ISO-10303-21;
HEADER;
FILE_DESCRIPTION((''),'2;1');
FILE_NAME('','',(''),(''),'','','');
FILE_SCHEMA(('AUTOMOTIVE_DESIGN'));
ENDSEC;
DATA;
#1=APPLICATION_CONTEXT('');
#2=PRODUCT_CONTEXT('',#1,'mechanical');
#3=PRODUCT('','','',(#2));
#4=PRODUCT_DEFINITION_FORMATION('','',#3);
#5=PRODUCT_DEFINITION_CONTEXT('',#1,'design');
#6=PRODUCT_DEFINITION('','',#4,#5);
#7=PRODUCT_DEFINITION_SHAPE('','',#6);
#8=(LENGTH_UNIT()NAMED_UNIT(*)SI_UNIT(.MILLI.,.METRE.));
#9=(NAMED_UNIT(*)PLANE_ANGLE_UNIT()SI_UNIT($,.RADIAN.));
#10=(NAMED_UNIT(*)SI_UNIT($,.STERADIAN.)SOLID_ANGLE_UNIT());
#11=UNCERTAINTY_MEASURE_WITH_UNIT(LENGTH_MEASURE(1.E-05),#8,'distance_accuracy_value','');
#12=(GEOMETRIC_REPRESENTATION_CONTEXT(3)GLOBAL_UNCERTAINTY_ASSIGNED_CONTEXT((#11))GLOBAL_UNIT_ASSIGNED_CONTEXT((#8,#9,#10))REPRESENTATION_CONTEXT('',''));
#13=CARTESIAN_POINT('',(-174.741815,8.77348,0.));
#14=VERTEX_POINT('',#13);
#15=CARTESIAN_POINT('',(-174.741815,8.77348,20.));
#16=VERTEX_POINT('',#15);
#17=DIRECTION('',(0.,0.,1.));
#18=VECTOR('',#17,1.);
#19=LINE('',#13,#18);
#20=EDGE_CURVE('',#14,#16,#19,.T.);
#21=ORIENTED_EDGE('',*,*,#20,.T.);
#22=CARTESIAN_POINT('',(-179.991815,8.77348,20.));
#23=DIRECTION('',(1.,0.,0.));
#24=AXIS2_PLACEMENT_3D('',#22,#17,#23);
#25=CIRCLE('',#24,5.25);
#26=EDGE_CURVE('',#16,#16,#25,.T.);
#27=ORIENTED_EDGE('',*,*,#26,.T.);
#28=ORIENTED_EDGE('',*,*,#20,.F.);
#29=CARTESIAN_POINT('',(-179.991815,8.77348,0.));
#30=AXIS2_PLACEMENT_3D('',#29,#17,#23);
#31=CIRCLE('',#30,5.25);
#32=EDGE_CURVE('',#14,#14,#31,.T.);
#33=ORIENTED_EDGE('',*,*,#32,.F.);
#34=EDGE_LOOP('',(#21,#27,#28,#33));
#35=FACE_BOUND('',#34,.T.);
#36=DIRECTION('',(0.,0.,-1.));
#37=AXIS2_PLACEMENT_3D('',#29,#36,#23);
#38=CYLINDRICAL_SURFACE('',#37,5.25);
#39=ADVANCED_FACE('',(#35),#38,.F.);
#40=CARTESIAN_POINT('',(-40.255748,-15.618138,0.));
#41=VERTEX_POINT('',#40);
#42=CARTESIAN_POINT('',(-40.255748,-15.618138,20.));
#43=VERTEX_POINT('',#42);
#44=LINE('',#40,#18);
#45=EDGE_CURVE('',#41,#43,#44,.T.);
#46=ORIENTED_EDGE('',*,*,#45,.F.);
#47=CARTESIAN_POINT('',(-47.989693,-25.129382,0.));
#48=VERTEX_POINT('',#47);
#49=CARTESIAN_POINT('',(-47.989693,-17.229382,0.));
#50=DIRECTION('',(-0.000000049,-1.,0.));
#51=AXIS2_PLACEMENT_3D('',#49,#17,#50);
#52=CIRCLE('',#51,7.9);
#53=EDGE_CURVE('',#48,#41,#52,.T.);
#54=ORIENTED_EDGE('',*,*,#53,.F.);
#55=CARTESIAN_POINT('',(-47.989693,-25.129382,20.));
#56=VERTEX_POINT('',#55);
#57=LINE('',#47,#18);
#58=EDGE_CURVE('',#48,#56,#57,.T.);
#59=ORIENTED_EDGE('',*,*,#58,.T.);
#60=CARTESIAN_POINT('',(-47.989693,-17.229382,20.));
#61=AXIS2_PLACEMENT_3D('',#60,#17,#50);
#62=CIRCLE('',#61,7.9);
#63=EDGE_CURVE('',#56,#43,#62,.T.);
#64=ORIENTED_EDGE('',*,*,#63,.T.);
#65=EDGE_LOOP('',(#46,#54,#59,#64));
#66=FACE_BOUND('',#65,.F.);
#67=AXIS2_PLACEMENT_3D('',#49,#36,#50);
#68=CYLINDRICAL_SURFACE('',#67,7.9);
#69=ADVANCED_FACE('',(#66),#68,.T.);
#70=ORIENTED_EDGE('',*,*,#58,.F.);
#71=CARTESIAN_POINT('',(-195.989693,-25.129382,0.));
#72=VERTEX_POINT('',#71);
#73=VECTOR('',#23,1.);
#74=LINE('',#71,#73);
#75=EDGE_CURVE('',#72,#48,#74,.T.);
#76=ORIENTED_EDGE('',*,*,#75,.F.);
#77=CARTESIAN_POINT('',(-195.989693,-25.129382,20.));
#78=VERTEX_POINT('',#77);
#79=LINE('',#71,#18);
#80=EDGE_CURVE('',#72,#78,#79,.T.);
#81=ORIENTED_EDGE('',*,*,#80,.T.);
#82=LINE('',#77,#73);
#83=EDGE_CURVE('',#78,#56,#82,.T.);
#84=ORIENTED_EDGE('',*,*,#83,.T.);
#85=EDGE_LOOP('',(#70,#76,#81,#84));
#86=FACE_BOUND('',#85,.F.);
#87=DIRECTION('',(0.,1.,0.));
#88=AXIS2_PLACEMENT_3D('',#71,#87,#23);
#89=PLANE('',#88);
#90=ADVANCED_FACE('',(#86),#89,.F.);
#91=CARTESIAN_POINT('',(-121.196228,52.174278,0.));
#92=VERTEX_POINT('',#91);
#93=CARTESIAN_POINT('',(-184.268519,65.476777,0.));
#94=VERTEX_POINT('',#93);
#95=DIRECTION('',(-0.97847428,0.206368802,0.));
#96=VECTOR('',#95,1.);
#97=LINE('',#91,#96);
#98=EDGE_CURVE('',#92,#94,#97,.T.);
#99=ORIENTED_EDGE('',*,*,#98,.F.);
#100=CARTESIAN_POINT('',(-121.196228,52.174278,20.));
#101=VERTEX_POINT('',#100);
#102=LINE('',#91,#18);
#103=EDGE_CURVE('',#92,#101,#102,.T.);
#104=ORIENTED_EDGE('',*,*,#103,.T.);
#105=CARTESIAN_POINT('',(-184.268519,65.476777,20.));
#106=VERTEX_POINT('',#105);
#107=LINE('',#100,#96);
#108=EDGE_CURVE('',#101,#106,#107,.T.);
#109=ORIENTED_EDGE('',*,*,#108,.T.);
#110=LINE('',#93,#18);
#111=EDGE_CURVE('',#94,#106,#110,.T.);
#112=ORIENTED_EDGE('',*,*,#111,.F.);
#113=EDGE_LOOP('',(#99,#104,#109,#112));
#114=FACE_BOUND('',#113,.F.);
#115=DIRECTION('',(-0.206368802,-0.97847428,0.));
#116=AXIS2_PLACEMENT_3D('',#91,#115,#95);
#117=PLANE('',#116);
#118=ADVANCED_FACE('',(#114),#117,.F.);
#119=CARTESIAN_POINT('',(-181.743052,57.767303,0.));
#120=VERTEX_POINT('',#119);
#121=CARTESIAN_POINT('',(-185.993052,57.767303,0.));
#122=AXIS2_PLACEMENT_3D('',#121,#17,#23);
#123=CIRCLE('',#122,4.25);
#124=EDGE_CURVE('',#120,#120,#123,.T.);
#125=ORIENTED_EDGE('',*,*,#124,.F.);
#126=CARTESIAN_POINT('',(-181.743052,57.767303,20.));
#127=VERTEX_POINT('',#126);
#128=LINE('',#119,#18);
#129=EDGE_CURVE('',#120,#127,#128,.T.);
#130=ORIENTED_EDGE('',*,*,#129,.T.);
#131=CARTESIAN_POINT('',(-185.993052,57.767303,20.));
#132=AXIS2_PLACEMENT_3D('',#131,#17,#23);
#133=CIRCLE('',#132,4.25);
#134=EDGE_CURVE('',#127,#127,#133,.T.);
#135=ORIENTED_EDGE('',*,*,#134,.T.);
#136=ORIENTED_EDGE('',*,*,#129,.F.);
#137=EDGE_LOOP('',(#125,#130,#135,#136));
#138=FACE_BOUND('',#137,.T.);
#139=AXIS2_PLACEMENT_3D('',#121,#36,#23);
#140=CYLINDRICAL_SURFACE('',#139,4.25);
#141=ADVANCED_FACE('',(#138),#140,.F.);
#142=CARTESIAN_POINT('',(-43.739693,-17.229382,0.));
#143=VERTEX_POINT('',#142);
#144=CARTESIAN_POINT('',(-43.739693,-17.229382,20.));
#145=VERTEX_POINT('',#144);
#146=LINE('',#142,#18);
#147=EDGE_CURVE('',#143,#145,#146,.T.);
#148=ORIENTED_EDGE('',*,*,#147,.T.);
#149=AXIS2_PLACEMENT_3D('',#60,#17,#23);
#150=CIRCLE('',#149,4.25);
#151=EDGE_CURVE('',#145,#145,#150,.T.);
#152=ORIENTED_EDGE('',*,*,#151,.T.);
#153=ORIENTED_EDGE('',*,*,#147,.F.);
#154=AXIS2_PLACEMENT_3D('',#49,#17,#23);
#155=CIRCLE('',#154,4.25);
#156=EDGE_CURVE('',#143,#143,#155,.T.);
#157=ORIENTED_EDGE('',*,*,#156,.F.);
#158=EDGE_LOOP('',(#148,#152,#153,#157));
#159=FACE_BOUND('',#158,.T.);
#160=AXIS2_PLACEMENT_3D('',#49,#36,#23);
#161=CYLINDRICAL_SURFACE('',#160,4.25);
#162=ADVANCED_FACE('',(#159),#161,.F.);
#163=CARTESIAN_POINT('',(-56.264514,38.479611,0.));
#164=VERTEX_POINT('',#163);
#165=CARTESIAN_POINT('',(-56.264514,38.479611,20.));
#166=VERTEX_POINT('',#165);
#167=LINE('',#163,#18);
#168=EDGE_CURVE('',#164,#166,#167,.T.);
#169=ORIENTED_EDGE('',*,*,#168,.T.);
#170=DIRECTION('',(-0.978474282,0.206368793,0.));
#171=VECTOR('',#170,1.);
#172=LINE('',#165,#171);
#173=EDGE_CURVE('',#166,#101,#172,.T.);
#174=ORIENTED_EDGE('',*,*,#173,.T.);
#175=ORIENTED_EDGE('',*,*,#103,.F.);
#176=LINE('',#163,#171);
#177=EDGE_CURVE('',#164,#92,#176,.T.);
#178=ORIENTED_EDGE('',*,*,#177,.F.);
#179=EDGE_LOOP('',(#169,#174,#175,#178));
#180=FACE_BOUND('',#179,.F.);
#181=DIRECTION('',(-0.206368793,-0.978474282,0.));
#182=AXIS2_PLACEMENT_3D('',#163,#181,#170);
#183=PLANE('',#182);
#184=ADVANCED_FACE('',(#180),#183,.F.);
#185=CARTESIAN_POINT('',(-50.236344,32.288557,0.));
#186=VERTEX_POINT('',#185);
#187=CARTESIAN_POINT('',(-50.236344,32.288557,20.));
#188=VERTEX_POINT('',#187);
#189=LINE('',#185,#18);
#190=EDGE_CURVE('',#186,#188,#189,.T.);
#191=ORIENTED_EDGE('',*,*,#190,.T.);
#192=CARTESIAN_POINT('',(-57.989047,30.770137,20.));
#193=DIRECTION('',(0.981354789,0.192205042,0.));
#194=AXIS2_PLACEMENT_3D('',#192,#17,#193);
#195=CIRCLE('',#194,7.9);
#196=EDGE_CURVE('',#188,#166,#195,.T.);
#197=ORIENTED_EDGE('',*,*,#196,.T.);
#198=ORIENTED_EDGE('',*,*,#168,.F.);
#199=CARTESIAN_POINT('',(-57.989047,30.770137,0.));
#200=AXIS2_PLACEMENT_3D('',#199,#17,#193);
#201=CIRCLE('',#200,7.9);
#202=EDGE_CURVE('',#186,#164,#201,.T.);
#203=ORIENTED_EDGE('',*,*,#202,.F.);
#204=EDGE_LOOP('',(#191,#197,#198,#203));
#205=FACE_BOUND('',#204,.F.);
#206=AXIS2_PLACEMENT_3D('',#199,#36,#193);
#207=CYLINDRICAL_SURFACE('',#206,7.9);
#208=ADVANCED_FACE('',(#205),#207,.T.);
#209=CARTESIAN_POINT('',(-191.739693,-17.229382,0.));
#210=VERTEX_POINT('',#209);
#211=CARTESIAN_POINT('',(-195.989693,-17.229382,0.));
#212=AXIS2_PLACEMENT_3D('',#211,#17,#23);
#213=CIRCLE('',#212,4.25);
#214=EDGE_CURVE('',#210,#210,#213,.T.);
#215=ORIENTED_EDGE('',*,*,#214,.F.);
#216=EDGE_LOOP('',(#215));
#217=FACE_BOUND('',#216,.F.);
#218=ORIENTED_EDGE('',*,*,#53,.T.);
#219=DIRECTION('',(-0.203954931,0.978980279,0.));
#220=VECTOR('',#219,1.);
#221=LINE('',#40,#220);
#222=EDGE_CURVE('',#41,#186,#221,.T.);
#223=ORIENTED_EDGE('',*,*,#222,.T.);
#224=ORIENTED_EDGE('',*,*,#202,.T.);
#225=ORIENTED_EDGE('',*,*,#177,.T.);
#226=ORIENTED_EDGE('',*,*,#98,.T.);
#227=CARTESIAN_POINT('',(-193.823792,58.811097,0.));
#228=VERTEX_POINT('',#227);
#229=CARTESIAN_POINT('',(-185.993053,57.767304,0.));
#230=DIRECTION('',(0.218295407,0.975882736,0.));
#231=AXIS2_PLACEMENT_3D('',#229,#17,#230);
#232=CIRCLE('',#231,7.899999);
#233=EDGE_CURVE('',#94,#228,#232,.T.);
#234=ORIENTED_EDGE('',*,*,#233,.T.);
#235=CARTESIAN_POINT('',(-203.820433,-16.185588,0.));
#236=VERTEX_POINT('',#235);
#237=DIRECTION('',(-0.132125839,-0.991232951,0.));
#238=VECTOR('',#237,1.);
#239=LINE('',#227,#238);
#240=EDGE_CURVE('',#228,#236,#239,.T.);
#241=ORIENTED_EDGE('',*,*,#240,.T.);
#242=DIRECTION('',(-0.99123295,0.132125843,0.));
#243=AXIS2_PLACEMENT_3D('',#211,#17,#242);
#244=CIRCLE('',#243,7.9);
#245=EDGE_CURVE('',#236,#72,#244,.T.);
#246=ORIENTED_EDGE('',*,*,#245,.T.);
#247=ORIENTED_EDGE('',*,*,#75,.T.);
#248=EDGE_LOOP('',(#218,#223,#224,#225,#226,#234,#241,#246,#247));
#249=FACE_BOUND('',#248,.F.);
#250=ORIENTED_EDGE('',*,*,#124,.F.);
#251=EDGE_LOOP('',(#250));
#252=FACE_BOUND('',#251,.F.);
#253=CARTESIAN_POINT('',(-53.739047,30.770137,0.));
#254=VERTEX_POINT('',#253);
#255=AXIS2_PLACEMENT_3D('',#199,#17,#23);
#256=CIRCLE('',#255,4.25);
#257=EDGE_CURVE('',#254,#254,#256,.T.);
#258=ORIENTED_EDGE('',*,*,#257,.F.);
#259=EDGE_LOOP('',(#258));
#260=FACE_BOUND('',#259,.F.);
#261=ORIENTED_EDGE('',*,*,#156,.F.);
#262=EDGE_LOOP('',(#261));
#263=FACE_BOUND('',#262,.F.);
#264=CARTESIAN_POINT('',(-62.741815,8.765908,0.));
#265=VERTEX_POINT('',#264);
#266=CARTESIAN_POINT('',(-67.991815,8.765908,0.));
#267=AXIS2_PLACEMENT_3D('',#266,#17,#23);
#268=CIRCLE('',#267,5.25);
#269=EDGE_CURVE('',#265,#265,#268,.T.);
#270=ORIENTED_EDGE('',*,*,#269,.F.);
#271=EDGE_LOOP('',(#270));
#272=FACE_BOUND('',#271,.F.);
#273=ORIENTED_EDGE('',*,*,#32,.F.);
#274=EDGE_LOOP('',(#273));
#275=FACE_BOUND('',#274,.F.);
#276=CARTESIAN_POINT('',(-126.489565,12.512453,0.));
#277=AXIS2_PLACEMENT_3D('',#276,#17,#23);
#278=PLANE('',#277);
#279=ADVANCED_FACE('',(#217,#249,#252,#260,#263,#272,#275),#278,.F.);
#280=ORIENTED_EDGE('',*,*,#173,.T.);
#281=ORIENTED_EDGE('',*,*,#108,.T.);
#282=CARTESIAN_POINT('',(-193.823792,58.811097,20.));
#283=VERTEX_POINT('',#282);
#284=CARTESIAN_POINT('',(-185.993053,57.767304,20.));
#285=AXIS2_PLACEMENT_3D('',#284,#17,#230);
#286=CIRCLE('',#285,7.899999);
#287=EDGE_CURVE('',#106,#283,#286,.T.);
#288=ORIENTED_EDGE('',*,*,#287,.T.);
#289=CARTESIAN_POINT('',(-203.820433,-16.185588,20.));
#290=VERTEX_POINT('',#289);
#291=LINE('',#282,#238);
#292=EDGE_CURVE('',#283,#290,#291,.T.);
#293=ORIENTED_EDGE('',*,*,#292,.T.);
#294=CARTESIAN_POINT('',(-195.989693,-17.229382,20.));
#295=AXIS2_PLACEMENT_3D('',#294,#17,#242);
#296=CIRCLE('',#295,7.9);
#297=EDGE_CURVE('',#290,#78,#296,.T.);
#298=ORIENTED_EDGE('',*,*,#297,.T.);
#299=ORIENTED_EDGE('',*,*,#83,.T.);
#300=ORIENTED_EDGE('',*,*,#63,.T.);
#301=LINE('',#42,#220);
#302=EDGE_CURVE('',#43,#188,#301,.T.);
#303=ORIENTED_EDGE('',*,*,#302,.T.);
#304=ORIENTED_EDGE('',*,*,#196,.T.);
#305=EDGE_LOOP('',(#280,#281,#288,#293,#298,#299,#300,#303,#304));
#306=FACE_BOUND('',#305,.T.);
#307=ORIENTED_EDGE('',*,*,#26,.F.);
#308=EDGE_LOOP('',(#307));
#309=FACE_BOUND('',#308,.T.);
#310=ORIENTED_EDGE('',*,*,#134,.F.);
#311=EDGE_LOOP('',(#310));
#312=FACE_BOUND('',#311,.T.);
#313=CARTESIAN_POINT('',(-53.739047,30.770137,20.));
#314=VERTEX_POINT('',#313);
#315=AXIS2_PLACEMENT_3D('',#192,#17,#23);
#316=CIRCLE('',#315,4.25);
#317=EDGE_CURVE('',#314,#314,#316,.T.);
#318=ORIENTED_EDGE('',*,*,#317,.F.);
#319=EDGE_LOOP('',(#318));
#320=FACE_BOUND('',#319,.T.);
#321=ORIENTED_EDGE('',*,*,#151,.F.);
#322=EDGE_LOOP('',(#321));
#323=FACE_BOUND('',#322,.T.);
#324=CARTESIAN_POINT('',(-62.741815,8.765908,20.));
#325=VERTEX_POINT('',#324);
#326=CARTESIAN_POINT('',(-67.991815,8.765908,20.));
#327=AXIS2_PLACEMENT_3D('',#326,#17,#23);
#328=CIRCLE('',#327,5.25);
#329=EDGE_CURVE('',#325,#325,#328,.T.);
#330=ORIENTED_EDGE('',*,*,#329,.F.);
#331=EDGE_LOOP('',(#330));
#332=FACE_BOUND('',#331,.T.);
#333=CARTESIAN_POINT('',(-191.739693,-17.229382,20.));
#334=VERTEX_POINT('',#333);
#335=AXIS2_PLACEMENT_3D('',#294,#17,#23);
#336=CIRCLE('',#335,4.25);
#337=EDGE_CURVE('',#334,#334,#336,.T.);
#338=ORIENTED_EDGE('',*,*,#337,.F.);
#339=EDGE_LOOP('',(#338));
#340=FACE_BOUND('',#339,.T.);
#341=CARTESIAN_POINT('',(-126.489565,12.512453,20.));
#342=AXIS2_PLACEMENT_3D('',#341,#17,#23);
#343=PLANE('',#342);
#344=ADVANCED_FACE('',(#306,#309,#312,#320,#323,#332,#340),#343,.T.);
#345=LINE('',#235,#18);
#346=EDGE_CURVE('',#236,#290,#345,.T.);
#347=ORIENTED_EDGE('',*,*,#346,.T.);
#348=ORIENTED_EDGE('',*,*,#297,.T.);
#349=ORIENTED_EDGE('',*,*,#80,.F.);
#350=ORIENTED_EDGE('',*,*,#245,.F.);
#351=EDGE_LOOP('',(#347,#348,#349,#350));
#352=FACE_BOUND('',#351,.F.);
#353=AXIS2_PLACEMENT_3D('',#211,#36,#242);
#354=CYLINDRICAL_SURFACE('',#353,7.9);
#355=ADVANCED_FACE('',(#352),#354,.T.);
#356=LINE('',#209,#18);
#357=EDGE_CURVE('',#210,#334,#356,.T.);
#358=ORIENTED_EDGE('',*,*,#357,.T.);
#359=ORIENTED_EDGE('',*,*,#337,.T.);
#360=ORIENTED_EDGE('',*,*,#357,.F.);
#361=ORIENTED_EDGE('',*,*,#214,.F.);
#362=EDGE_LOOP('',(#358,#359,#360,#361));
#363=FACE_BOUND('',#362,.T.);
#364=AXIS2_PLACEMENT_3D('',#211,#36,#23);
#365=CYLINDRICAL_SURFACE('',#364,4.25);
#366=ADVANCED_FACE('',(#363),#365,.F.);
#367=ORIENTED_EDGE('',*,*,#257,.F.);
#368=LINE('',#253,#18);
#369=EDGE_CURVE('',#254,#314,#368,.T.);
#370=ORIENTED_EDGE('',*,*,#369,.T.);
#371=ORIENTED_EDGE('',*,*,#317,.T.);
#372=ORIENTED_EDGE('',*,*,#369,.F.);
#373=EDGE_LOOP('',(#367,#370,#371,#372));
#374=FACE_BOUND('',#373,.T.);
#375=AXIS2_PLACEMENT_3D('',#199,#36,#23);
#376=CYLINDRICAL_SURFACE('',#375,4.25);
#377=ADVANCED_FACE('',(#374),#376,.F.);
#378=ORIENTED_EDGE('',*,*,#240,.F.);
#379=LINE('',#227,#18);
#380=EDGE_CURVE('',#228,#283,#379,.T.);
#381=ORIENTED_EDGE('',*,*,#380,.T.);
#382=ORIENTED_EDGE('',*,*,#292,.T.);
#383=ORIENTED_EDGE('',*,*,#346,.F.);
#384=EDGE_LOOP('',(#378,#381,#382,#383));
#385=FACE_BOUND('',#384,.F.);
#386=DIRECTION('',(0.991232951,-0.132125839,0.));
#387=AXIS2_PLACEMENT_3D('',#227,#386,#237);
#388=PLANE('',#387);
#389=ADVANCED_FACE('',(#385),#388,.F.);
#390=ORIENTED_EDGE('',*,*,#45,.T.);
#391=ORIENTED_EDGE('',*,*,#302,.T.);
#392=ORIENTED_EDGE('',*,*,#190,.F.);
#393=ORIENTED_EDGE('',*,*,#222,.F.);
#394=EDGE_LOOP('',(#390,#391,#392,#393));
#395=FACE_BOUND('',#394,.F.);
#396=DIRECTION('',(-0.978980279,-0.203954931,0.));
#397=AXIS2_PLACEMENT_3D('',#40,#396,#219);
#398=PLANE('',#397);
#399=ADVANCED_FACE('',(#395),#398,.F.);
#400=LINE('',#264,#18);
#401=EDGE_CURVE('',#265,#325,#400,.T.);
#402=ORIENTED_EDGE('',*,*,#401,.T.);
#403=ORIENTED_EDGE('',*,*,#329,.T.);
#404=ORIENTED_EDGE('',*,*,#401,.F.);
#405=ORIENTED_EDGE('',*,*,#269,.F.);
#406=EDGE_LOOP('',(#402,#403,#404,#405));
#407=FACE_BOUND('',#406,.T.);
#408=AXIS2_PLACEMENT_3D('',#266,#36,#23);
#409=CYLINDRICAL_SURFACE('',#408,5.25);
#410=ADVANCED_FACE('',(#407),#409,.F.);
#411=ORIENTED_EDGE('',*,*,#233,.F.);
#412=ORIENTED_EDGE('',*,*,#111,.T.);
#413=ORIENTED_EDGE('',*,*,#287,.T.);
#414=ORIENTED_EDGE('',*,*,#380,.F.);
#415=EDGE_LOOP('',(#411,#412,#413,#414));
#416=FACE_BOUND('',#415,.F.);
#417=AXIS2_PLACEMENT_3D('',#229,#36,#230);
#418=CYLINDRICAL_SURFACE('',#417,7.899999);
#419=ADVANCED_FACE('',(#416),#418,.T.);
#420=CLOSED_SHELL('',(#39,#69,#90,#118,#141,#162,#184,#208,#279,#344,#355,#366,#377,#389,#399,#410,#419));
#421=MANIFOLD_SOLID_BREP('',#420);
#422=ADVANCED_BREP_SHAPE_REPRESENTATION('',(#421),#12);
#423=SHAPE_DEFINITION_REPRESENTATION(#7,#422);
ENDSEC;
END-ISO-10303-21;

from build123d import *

# Parameters (mm, degrees)
F0_R     = 4.25
F0_R_2   = 5.25
F1_DEPTH = 20


with BuildPart() as f1:
    # F0 (on Top) → F1 (new body)
    with BuildSketch(Plane.XY):
        with BuildLine():
            Line((-193.823792, 58.811097), (-203.820433, -16.185588))
            ThreePointArc((-203.820433, -16.185588), (-201.933428, -22.43342), (-195.989693, -25.129382))
            Line((-195.989693, -25.129382), (-47.989693, -25.129382))
            ThreePointArc((-47.989693, -25.129382), (-41.860303, -22.213415), (-40.255748, -15.618138))
            Line((-40.255748, -15.618138), (-50.236344, 32.288557))
            ThreePointArc((-50.236344, 32.288557), (-52.328942, 36.281327), (-56.264514, 38.479611))
            Line((-56.264514, 38.479611), (-121.196228, 52.174278))
            Line((-121.196228, 52.174278), (-184.268519, 65.476777))
            ThreePointArc((-184.268519, 65.476777), (-190.512926, 64.246558), (-193.823792, 58.811097))
        make_face()
        with Locations((-195.989693, -17.229382)):
            Circle(F0_R, mode=Mode.SUBTRACT)
        with Locations((-179.991815, 8.77348)):
            Circle(F0_R_2, mode=Mode.SUBTRACT)
        with Locations((-47.989693, -17.229382)):
            Circle(F0_R, mode=Mode.SUBTRACT)
        with Locations((-67.991815, 8.765908)):
            Circle(F0_R_2, mode=Mode.SUBTRACT)
        with Locations((-185.993052, 57.767303)):
            Circle(F0_R, mode=Mode.SUBTRACT)
        with Locations((-57.989047, 30.770137)):
            Circle(F0_R, mode=Mode.SUBTRACT)
    extrude(amount=F1_DEPTH)


solid = f1.part
